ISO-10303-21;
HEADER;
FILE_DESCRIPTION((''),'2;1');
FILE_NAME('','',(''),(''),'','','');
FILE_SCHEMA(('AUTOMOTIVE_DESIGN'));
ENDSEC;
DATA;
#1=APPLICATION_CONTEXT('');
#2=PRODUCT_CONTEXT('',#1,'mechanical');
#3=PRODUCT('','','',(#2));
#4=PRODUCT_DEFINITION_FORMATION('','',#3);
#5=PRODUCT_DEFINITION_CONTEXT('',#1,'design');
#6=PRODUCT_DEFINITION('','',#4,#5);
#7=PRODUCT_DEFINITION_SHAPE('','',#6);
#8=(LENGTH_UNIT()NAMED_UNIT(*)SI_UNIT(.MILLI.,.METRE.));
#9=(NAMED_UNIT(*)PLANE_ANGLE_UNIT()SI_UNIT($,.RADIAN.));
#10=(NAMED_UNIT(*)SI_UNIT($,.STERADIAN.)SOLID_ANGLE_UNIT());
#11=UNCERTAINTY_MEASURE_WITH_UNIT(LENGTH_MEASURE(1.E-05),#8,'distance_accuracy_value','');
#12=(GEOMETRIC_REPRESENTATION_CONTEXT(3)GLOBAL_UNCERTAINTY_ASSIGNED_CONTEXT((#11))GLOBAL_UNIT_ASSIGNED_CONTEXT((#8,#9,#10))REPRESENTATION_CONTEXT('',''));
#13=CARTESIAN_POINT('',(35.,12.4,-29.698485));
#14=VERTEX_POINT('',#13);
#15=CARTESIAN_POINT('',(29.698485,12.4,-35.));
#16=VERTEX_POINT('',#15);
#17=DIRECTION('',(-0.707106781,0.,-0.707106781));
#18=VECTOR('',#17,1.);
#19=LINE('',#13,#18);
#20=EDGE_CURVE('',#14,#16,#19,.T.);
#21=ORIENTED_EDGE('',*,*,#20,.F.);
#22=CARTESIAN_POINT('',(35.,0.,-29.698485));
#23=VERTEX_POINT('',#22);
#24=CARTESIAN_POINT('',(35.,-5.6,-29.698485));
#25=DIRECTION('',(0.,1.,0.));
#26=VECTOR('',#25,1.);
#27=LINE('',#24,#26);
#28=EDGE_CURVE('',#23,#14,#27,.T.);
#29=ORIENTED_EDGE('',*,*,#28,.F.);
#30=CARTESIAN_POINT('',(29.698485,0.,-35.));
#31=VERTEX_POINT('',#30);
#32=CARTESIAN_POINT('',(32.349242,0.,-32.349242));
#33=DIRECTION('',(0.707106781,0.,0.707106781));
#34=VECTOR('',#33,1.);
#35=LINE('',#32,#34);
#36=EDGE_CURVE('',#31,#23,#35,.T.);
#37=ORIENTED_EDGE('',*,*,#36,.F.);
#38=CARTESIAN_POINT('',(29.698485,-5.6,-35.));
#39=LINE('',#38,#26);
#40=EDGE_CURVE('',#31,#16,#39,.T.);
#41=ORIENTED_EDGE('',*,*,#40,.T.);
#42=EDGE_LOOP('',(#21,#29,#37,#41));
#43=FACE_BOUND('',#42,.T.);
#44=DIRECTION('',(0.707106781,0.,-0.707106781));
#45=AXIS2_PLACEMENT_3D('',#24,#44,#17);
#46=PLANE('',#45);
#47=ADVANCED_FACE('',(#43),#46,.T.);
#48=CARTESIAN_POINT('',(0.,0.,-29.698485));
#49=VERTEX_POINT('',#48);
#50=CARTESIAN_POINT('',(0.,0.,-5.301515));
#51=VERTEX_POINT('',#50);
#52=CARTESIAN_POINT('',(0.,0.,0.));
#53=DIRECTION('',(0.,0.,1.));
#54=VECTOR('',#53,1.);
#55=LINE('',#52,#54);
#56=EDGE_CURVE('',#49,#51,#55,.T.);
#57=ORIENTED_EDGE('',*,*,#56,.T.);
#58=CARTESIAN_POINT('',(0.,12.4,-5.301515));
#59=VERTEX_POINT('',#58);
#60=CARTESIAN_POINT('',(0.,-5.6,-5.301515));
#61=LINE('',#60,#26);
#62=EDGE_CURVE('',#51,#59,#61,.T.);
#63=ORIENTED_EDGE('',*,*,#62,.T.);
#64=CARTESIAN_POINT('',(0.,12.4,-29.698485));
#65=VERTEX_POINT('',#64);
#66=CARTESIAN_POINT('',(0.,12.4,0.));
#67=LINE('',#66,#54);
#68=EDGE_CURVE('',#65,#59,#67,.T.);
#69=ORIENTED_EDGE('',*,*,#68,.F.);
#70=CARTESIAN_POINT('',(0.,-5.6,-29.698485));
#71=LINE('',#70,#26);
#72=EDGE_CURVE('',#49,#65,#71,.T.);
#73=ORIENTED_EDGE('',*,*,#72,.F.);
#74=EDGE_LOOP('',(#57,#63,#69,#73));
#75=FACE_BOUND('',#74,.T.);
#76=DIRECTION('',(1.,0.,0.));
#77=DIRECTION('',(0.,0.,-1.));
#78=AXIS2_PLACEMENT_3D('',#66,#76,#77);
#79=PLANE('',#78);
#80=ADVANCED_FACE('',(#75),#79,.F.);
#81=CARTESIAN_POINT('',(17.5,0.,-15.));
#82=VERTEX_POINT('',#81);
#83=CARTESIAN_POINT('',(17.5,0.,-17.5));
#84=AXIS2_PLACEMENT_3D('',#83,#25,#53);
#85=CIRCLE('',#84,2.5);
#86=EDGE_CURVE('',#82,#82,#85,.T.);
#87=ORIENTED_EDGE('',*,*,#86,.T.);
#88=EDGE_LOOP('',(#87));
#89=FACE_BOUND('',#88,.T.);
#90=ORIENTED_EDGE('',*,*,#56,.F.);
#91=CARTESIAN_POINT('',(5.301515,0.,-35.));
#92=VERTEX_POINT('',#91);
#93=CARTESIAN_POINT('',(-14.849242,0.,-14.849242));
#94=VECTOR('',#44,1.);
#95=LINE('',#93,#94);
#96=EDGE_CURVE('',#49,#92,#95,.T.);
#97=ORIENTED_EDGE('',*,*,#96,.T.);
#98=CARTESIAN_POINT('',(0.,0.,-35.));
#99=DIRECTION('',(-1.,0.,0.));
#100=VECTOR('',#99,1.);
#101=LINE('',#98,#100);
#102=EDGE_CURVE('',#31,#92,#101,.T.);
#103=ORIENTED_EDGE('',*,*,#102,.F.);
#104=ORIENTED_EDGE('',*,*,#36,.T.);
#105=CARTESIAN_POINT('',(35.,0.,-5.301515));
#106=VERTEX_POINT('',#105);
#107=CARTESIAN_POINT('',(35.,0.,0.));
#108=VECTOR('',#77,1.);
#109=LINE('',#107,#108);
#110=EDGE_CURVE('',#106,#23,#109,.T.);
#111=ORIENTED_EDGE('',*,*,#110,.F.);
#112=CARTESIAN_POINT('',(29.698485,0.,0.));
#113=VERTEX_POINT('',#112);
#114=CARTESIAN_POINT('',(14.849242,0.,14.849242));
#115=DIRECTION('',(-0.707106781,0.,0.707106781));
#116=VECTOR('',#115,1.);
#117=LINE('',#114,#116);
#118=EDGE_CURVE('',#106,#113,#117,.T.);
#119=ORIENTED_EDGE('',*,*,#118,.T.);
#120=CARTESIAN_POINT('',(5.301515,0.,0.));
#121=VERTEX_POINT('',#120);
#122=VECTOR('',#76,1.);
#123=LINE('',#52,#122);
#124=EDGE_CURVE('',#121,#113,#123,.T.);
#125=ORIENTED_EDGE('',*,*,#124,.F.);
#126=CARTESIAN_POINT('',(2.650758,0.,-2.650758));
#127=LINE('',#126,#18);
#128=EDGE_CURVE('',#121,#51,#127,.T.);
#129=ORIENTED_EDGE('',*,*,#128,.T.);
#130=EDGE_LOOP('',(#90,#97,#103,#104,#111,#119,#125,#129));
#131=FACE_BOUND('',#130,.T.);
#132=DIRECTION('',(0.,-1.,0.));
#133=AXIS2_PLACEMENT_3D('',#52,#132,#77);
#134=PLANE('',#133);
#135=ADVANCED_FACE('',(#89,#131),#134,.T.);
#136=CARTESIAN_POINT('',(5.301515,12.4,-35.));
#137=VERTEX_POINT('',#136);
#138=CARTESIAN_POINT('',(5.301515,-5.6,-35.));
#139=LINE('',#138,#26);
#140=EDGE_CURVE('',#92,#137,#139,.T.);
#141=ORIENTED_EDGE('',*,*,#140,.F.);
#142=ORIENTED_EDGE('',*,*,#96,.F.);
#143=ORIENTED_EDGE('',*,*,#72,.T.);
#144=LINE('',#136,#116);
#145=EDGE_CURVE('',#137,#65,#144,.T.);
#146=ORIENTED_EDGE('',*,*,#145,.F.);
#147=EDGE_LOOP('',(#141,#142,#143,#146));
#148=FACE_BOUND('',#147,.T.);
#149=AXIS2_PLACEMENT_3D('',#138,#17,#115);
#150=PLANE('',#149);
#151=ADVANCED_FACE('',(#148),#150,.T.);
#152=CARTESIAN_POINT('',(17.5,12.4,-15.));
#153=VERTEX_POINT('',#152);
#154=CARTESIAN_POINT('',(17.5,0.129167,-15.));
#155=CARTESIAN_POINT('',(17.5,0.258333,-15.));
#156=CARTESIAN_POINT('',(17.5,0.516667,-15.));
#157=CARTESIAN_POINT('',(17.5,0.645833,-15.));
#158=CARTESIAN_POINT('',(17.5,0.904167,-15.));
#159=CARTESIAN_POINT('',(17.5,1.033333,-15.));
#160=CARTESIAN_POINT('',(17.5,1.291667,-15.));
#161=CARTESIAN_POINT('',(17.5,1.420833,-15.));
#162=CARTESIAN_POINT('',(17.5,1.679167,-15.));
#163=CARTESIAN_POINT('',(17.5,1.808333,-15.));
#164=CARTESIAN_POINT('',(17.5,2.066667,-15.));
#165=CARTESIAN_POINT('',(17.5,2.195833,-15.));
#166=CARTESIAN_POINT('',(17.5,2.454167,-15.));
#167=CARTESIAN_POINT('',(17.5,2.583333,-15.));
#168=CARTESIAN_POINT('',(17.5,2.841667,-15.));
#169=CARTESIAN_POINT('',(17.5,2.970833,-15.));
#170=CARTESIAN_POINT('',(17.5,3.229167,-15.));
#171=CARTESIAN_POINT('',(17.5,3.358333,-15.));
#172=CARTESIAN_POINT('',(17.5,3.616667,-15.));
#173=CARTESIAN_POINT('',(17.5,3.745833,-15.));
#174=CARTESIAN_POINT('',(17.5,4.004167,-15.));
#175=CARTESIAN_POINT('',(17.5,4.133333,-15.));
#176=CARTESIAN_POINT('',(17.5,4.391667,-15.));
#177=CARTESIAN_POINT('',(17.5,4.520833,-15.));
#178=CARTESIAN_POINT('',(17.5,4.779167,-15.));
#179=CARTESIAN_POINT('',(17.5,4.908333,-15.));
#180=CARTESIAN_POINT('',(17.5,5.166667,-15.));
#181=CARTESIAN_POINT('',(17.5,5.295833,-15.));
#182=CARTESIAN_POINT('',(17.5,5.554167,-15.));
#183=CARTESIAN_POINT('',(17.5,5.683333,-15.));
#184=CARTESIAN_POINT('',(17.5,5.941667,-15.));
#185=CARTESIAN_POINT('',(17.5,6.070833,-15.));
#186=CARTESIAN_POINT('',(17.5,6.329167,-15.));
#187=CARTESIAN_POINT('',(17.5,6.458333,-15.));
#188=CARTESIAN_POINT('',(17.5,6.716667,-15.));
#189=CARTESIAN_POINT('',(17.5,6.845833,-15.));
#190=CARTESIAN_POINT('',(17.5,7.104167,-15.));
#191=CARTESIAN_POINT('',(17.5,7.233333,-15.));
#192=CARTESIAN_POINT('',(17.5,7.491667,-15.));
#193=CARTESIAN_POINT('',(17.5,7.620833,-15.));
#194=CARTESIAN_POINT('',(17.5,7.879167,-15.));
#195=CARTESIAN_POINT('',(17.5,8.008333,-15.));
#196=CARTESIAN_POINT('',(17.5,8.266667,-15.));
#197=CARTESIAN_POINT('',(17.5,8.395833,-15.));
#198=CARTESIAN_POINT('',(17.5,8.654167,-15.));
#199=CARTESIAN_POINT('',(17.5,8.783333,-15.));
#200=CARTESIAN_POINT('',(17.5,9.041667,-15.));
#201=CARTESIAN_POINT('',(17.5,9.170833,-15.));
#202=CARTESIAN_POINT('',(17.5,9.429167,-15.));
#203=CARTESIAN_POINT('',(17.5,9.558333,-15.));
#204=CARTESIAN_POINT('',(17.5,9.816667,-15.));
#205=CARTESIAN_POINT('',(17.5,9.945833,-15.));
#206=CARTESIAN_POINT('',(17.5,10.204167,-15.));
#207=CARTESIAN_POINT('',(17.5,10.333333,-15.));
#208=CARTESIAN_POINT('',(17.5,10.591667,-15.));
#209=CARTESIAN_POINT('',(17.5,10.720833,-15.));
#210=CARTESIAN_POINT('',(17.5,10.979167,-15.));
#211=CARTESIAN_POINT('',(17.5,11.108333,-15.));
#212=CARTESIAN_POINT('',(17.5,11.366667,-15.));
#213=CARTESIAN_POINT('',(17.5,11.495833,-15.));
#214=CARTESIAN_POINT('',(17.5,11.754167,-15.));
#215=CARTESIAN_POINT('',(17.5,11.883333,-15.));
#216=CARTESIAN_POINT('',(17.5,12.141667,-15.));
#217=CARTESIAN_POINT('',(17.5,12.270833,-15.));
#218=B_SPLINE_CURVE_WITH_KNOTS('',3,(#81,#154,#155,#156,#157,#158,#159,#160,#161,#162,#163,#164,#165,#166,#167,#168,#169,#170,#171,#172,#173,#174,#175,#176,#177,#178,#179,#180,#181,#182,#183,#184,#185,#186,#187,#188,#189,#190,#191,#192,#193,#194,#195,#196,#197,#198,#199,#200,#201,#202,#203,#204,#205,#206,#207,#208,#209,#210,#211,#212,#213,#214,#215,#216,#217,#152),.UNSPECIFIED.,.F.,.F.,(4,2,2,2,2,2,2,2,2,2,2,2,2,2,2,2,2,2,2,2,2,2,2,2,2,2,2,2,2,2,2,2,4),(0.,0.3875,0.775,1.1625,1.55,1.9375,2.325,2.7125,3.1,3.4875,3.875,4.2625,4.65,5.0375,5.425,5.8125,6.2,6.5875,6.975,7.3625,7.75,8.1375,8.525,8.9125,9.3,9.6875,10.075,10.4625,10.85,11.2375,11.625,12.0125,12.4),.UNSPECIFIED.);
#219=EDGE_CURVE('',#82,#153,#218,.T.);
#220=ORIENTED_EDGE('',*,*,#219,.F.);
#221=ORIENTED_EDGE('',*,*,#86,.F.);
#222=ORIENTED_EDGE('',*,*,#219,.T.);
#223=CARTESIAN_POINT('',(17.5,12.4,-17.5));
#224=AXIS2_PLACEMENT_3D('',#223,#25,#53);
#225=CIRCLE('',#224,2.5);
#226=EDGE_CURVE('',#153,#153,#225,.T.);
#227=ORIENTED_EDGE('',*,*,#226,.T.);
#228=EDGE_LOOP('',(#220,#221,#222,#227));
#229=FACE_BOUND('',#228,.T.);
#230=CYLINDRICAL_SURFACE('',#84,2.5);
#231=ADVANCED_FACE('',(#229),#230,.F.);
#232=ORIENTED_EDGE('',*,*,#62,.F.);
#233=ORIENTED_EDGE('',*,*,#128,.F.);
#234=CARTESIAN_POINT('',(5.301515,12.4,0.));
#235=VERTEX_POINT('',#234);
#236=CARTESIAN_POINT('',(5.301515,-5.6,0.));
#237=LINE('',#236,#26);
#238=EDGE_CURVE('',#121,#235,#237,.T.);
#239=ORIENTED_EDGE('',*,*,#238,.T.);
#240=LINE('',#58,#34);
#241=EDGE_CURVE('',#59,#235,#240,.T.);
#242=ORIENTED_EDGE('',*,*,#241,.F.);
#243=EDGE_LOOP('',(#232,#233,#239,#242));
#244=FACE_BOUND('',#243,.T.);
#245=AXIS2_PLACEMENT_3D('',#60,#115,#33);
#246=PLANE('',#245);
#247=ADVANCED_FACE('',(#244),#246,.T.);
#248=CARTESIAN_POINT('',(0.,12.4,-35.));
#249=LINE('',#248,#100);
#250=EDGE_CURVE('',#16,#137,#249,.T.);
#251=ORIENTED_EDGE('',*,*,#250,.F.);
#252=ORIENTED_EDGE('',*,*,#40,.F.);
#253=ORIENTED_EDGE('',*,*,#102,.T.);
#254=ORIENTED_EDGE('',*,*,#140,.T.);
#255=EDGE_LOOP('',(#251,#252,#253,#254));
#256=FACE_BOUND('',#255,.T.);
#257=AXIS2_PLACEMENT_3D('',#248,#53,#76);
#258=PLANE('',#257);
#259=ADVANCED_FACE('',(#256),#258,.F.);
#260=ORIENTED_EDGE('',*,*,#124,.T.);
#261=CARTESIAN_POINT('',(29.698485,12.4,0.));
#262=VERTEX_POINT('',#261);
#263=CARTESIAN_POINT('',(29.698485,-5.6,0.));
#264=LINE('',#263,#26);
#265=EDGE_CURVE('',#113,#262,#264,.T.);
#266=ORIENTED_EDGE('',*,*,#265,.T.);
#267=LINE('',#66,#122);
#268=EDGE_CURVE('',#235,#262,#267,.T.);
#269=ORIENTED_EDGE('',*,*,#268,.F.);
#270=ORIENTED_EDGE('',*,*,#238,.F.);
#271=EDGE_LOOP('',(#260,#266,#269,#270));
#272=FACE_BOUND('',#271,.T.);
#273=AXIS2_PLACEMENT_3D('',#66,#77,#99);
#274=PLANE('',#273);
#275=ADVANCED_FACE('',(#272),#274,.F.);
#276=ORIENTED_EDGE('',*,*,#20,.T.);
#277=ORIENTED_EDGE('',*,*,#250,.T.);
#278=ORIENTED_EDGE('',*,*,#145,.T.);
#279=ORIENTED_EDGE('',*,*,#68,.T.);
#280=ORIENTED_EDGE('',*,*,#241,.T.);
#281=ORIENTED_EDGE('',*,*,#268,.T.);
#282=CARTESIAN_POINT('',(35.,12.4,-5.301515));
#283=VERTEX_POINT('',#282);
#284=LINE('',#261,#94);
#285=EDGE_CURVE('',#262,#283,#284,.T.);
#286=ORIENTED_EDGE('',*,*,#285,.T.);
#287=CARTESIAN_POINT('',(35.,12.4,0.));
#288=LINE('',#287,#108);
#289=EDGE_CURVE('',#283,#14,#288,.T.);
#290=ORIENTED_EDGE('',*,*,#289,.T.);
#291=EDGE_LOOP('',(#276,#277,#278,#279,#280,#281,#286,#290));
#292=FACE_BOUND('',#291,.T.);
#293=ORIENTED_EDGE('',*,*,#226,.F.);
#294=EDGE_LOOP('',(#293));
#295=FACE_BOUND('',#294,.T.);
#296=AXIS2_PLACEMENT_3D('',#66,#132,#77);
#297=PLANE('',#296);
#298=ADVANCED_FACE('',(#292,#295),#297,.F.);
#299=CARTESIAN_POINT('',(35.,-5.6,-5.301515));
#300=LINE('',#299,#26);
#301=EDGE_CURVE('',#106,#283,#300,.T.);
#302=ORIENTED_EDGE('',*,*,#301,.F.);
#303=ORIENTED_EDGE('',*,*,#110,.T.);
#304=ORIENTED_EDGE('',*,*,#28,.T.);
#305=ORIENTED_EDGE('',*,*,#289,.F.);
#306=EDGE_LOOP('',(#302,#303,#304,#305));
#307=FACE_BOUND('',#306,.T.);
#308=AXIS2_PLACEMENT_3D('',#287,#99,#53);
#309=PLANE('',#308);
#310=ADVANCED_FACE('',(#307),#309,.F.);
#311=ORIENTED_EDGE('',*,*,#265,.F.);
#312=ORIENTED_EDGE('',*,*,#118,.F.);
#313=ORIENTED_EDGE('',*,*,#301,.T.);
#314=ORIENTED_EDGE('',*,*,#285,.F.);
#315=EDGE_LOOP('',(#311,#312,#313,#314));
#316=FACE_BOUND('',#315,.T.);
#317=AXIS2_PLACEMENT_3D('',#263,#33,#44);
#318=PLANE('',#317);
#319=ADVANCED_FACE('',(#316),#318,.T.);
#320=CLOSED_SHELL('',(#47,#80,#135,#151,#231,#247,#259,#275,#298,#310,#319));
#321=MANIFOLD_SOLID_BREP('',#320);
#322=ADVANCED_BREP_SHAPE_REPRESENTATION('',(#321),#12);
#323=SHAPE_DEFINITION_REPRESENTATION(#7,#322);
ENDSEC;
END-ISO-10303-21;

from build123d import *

# Parameters (mm, degrees)
CROQUIS1_W              = 35
CROQUIS1_H              = 35
SALIENTE_EXTRUIR1_DEPTH = 12.4
CROQUIS2_OUTSIDE_W      = 47.206
CROQUIS2_OUTSIDE_H      = 47.206
CORTAR_EXTRUIR2_DEPTH   = 18
CROQUIS3_R              = 2.5
CORTAR_EXTRUIR3_DEPTH   = 52.027051649


with BuildPart() as part:
    # Croquis1 → Saliente-Extruir1 (new body)
    with BuildSketch(Plane(origin=(0, 0, 0), x_dir=(1, 0, 0), z_dir=(0, 1, 0))):
        with Locations((17.5, 17.5)):
            Rectangle(CROQUIS1_W, CROQUIS1_H)
    extrude(amount=SALIENTE_EXTRUIR1_DEPTH)

    # Croquis2 outside → Cortar-Extruir2 (cut)
    with BuildSketch(Plane(origin=(0, 12.4, 0), x_dir=(1, 0, 0), z_dir=(0, 1, 0))):
        with Locations((17.5, 17.5)):
            Rectangle(CROQUIS2_OUTSIDE_W, CROQUIS2_OUTSIDE_H)
        Polygon((5.30151519, 35), (0, 29.69848481), (0, 5.30151519), (5.30151519, 0), (29.69848481, 0), (35, 5.30151519), (35, 29.69848481), (29.69848481, 35), align=None, mode=Mode.SUBTRACT)
    extrude(amount=-CORTAR_EXTRUIR2_DEPTH, mode=Mode.SUBTRACT)

    # Croquis3 → Cortar-Extruir3 (cut, through all)
    with BuildSketch(Plane(origin=(0, 12.4, 0), x_dir=(1, 0, 0), z_dir=(0, 1, 0))):
        with Locations(Location((17.5, 17.5, 0), (0, 0, 270))):
            Circle(CROQUIS3_R)
    extrude(amount=-CORTAR_EXTRUIR3_DEPTH, mode=Mode.SUBTRACT)


solid = part.part
